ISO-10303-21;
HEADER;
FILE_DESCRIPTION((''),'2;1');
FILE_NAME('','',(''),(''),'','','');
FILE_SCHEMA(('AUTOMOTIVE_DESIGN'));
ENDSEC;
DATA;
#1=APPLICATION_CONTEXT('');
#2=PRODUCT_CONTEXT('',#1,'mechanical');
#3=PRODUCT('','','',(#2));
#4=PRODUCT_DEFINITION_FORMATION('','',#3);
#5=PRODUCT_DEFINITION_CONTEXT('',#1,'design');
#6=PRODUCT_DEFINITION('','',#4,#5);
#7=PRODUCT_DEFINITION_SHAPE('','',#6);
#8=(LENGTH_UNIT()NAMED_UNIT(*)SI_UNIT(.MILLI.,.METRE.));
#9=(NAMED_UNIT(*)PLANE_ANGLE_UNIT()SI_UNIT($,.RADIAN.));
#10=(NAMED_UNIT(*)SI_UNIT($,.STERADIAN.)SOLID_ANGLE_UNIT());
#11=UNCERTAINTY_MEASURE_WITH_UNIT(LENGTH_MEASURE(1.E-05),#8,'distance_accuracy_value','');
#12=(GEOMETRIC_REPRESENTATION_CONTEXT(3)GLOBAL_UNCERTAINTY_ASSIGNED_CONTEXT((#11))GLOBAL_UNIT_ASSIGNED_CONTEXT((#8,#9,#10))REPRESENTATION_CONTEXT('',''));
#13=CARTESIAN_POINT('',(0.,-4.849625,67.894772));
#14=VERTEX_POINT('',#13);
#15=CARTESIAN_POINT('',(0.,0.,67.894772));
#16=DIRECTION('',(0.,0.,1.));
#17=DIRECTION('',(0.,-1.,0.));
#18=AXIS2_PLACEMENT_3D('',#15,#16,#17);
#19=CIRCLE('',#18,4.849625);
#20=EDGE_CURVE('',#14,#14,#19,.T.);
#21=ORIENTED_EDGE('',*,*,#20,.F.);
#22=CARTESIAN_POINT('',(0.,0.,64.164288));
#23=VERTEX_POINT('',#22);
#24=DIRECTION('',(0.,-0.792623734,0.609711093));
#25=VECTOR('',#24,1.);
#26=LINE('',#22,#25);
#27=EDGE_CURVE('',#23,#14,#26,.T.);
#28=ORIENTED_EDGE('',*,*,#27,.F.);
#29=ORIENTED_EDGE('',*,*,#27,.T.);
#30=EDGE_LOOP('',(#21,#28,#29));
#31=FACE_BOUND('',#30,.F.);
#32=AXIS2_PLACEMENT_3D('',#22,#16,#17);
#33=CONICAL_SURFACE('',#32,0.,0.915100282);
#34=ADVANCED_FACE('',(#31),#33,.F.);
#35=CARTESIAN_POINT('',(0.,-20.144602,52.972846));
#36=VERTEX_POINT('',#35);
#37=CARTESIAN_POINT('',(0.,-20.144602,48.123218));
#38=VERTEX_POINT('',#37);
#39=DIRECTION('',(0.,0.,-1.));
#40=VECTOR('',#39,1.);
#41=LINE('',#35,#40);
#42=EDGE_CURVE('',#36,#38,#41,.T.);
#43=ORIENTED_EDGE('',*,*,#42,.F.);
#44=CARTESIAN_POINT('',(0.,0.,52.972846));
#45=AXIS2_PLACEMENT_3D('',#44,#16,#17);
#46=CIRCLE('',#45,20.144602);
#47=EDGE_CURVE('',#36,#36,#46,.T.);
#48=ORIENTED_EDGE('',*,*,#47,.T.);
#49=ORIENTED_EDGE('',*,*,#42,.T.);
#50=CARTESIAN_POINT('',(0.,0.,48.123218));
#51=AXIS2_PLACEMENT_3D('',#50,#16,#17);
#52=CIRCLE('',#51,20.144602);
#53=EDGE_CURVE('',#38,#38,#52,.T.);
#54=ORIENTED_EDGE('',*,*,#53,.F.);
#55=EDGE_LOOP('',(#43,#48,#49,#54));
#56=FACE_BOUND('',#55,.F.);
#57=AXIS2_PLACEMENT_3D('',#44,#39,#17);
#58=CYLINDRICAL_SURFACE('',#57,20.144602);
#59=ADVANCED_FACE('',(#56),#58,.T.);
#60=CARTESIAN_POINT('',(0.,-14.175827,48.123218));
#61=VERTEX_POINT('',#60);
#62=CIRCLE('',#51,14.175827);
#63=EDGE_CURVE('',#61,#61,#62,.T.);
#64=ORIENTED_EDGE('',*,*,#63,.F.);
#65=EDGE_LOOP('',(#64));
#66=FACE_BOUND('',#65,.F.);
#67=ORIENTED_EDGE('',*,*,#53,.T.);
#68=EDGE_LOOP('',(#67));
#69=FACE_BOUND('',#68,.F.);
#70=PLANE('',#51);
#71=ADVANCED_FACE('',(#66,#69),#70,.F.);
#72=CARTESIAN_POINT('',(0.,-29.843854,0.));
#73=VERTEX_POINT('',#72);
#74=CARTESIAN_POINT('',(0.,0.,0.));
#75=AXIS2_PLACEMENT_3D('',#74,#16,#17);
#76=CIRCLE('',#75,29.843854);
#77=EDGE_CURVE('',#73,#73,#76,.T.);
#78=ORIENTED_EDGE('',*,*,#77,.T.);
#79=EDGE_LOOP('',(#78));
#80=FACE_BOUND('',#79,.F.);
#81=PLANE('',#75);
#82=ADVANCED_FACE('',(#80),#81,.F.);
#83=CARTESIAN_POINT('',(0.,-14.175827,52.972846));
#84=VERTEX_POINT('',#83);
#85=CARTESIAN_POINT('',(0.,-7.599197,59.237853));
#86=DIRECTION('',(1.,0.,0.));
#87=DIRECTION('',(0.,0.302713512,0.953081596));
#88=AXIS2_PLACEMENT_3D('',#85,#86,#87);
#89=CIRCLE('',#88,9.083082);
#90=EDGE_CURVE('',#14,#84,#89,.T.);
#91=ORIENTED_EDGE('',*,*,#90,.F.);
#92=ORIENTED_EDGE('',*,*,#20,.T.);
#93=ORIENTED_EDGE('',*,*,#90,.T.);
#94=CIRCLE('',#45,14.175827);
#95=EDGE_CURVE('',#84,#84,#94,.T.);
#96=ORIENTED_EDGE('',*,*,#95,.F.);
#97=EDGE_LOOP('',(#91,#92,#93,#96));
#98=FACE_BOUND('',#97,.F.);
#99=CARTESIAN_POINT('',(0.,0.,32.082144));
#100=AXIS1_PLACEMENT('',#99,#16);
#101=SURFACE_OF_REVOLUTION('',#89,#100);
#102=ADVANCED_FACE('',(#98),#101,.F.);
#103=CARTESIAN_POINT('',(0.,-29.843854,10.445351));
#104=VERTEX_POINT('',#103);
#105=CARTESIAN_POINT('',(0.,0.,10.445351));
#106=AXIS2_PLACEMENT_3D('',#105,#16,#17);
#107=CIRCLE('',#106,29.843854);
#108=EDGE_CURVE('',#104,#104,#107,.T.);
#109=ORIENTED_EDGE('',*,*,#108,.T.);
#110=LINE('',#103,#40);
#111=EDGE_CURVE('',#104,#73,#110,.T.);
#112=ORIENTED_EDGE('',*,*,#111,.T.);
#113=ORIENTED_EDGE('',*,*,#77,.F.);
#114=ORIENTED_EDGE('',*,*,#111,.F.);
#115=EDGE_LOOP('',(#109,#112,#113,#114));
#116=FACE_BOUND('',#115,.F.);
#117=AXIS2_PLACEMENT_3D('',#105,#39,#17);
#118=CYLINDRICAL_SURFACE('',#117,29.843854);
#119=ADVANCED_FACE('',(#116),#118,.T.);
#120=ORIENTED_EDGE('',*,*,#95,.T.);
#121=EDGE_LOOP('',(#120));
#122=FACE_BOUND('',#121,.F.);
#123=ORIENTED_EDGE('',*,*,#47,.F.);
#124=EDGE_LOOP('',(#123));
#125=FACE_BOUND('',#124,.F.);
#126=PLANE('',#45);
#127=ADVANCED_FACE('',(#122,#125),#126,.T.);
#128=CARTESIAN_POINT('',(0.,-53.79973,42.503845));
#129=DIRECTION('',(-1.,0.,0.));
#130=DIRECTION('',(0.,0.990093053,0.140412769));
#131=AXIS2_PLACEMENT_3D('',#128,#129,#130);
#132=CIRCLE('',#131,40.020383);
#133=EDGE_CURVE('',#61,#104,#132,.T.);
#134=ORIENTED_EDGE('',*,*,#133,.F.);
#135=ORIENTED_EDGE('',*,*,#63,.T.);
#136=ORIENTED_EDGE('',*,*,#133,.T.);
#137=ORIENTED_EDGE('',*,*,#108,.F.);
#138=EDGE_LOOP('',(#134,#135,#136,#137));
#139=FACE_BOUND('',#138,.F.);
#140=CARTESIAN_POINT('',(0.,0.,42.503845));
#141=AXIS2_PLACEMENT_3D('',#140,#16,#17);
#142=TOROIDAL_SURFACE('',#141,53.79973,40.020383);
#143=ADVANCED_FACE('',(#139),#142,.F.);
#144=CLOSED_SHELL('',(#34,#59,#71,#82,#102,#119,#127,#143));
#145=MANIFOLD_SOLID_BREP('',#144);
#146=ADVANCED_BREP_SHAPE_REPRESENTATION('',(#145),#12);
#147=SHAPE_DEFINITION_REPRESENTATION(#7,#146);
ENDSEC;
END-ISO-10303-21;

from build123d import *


with BuildPart() as f1:
    # F0 (on Right) → F1 (revolve)
    with BuildSketch(Plane.YZ):
        with BuildLine():
            Line((-29.843854, 0), (0, 0))
            Line((0, 0), (0, 64.164288))
            Line((0, 64.164288), (-4.849625, 67.894772))
            ThreePointArc((-4.849625, 67.894772), (-15.301636, 64.051876), (-14.175827, 52.972846))
            Line((-14.175827, 52.972846), (-20.144602, 52.972846))
            Line((-20.144602, 52.972846), (-20.144602, 48.123218))
            Line((-20.144602, 48.123218), (-14.175827, 48.123218))
            ThreePointArc((-14.175827, 48.123218), (-16.847024, 27.13737), (-29.843854, 10.445351))
            Line((-29.843854, 10.445351), (-29.843854, 0))
        make_face()
    revolve(axis=Axis((0, 0, 32.082144), (0, 0, 1)))


solid = f1.part
